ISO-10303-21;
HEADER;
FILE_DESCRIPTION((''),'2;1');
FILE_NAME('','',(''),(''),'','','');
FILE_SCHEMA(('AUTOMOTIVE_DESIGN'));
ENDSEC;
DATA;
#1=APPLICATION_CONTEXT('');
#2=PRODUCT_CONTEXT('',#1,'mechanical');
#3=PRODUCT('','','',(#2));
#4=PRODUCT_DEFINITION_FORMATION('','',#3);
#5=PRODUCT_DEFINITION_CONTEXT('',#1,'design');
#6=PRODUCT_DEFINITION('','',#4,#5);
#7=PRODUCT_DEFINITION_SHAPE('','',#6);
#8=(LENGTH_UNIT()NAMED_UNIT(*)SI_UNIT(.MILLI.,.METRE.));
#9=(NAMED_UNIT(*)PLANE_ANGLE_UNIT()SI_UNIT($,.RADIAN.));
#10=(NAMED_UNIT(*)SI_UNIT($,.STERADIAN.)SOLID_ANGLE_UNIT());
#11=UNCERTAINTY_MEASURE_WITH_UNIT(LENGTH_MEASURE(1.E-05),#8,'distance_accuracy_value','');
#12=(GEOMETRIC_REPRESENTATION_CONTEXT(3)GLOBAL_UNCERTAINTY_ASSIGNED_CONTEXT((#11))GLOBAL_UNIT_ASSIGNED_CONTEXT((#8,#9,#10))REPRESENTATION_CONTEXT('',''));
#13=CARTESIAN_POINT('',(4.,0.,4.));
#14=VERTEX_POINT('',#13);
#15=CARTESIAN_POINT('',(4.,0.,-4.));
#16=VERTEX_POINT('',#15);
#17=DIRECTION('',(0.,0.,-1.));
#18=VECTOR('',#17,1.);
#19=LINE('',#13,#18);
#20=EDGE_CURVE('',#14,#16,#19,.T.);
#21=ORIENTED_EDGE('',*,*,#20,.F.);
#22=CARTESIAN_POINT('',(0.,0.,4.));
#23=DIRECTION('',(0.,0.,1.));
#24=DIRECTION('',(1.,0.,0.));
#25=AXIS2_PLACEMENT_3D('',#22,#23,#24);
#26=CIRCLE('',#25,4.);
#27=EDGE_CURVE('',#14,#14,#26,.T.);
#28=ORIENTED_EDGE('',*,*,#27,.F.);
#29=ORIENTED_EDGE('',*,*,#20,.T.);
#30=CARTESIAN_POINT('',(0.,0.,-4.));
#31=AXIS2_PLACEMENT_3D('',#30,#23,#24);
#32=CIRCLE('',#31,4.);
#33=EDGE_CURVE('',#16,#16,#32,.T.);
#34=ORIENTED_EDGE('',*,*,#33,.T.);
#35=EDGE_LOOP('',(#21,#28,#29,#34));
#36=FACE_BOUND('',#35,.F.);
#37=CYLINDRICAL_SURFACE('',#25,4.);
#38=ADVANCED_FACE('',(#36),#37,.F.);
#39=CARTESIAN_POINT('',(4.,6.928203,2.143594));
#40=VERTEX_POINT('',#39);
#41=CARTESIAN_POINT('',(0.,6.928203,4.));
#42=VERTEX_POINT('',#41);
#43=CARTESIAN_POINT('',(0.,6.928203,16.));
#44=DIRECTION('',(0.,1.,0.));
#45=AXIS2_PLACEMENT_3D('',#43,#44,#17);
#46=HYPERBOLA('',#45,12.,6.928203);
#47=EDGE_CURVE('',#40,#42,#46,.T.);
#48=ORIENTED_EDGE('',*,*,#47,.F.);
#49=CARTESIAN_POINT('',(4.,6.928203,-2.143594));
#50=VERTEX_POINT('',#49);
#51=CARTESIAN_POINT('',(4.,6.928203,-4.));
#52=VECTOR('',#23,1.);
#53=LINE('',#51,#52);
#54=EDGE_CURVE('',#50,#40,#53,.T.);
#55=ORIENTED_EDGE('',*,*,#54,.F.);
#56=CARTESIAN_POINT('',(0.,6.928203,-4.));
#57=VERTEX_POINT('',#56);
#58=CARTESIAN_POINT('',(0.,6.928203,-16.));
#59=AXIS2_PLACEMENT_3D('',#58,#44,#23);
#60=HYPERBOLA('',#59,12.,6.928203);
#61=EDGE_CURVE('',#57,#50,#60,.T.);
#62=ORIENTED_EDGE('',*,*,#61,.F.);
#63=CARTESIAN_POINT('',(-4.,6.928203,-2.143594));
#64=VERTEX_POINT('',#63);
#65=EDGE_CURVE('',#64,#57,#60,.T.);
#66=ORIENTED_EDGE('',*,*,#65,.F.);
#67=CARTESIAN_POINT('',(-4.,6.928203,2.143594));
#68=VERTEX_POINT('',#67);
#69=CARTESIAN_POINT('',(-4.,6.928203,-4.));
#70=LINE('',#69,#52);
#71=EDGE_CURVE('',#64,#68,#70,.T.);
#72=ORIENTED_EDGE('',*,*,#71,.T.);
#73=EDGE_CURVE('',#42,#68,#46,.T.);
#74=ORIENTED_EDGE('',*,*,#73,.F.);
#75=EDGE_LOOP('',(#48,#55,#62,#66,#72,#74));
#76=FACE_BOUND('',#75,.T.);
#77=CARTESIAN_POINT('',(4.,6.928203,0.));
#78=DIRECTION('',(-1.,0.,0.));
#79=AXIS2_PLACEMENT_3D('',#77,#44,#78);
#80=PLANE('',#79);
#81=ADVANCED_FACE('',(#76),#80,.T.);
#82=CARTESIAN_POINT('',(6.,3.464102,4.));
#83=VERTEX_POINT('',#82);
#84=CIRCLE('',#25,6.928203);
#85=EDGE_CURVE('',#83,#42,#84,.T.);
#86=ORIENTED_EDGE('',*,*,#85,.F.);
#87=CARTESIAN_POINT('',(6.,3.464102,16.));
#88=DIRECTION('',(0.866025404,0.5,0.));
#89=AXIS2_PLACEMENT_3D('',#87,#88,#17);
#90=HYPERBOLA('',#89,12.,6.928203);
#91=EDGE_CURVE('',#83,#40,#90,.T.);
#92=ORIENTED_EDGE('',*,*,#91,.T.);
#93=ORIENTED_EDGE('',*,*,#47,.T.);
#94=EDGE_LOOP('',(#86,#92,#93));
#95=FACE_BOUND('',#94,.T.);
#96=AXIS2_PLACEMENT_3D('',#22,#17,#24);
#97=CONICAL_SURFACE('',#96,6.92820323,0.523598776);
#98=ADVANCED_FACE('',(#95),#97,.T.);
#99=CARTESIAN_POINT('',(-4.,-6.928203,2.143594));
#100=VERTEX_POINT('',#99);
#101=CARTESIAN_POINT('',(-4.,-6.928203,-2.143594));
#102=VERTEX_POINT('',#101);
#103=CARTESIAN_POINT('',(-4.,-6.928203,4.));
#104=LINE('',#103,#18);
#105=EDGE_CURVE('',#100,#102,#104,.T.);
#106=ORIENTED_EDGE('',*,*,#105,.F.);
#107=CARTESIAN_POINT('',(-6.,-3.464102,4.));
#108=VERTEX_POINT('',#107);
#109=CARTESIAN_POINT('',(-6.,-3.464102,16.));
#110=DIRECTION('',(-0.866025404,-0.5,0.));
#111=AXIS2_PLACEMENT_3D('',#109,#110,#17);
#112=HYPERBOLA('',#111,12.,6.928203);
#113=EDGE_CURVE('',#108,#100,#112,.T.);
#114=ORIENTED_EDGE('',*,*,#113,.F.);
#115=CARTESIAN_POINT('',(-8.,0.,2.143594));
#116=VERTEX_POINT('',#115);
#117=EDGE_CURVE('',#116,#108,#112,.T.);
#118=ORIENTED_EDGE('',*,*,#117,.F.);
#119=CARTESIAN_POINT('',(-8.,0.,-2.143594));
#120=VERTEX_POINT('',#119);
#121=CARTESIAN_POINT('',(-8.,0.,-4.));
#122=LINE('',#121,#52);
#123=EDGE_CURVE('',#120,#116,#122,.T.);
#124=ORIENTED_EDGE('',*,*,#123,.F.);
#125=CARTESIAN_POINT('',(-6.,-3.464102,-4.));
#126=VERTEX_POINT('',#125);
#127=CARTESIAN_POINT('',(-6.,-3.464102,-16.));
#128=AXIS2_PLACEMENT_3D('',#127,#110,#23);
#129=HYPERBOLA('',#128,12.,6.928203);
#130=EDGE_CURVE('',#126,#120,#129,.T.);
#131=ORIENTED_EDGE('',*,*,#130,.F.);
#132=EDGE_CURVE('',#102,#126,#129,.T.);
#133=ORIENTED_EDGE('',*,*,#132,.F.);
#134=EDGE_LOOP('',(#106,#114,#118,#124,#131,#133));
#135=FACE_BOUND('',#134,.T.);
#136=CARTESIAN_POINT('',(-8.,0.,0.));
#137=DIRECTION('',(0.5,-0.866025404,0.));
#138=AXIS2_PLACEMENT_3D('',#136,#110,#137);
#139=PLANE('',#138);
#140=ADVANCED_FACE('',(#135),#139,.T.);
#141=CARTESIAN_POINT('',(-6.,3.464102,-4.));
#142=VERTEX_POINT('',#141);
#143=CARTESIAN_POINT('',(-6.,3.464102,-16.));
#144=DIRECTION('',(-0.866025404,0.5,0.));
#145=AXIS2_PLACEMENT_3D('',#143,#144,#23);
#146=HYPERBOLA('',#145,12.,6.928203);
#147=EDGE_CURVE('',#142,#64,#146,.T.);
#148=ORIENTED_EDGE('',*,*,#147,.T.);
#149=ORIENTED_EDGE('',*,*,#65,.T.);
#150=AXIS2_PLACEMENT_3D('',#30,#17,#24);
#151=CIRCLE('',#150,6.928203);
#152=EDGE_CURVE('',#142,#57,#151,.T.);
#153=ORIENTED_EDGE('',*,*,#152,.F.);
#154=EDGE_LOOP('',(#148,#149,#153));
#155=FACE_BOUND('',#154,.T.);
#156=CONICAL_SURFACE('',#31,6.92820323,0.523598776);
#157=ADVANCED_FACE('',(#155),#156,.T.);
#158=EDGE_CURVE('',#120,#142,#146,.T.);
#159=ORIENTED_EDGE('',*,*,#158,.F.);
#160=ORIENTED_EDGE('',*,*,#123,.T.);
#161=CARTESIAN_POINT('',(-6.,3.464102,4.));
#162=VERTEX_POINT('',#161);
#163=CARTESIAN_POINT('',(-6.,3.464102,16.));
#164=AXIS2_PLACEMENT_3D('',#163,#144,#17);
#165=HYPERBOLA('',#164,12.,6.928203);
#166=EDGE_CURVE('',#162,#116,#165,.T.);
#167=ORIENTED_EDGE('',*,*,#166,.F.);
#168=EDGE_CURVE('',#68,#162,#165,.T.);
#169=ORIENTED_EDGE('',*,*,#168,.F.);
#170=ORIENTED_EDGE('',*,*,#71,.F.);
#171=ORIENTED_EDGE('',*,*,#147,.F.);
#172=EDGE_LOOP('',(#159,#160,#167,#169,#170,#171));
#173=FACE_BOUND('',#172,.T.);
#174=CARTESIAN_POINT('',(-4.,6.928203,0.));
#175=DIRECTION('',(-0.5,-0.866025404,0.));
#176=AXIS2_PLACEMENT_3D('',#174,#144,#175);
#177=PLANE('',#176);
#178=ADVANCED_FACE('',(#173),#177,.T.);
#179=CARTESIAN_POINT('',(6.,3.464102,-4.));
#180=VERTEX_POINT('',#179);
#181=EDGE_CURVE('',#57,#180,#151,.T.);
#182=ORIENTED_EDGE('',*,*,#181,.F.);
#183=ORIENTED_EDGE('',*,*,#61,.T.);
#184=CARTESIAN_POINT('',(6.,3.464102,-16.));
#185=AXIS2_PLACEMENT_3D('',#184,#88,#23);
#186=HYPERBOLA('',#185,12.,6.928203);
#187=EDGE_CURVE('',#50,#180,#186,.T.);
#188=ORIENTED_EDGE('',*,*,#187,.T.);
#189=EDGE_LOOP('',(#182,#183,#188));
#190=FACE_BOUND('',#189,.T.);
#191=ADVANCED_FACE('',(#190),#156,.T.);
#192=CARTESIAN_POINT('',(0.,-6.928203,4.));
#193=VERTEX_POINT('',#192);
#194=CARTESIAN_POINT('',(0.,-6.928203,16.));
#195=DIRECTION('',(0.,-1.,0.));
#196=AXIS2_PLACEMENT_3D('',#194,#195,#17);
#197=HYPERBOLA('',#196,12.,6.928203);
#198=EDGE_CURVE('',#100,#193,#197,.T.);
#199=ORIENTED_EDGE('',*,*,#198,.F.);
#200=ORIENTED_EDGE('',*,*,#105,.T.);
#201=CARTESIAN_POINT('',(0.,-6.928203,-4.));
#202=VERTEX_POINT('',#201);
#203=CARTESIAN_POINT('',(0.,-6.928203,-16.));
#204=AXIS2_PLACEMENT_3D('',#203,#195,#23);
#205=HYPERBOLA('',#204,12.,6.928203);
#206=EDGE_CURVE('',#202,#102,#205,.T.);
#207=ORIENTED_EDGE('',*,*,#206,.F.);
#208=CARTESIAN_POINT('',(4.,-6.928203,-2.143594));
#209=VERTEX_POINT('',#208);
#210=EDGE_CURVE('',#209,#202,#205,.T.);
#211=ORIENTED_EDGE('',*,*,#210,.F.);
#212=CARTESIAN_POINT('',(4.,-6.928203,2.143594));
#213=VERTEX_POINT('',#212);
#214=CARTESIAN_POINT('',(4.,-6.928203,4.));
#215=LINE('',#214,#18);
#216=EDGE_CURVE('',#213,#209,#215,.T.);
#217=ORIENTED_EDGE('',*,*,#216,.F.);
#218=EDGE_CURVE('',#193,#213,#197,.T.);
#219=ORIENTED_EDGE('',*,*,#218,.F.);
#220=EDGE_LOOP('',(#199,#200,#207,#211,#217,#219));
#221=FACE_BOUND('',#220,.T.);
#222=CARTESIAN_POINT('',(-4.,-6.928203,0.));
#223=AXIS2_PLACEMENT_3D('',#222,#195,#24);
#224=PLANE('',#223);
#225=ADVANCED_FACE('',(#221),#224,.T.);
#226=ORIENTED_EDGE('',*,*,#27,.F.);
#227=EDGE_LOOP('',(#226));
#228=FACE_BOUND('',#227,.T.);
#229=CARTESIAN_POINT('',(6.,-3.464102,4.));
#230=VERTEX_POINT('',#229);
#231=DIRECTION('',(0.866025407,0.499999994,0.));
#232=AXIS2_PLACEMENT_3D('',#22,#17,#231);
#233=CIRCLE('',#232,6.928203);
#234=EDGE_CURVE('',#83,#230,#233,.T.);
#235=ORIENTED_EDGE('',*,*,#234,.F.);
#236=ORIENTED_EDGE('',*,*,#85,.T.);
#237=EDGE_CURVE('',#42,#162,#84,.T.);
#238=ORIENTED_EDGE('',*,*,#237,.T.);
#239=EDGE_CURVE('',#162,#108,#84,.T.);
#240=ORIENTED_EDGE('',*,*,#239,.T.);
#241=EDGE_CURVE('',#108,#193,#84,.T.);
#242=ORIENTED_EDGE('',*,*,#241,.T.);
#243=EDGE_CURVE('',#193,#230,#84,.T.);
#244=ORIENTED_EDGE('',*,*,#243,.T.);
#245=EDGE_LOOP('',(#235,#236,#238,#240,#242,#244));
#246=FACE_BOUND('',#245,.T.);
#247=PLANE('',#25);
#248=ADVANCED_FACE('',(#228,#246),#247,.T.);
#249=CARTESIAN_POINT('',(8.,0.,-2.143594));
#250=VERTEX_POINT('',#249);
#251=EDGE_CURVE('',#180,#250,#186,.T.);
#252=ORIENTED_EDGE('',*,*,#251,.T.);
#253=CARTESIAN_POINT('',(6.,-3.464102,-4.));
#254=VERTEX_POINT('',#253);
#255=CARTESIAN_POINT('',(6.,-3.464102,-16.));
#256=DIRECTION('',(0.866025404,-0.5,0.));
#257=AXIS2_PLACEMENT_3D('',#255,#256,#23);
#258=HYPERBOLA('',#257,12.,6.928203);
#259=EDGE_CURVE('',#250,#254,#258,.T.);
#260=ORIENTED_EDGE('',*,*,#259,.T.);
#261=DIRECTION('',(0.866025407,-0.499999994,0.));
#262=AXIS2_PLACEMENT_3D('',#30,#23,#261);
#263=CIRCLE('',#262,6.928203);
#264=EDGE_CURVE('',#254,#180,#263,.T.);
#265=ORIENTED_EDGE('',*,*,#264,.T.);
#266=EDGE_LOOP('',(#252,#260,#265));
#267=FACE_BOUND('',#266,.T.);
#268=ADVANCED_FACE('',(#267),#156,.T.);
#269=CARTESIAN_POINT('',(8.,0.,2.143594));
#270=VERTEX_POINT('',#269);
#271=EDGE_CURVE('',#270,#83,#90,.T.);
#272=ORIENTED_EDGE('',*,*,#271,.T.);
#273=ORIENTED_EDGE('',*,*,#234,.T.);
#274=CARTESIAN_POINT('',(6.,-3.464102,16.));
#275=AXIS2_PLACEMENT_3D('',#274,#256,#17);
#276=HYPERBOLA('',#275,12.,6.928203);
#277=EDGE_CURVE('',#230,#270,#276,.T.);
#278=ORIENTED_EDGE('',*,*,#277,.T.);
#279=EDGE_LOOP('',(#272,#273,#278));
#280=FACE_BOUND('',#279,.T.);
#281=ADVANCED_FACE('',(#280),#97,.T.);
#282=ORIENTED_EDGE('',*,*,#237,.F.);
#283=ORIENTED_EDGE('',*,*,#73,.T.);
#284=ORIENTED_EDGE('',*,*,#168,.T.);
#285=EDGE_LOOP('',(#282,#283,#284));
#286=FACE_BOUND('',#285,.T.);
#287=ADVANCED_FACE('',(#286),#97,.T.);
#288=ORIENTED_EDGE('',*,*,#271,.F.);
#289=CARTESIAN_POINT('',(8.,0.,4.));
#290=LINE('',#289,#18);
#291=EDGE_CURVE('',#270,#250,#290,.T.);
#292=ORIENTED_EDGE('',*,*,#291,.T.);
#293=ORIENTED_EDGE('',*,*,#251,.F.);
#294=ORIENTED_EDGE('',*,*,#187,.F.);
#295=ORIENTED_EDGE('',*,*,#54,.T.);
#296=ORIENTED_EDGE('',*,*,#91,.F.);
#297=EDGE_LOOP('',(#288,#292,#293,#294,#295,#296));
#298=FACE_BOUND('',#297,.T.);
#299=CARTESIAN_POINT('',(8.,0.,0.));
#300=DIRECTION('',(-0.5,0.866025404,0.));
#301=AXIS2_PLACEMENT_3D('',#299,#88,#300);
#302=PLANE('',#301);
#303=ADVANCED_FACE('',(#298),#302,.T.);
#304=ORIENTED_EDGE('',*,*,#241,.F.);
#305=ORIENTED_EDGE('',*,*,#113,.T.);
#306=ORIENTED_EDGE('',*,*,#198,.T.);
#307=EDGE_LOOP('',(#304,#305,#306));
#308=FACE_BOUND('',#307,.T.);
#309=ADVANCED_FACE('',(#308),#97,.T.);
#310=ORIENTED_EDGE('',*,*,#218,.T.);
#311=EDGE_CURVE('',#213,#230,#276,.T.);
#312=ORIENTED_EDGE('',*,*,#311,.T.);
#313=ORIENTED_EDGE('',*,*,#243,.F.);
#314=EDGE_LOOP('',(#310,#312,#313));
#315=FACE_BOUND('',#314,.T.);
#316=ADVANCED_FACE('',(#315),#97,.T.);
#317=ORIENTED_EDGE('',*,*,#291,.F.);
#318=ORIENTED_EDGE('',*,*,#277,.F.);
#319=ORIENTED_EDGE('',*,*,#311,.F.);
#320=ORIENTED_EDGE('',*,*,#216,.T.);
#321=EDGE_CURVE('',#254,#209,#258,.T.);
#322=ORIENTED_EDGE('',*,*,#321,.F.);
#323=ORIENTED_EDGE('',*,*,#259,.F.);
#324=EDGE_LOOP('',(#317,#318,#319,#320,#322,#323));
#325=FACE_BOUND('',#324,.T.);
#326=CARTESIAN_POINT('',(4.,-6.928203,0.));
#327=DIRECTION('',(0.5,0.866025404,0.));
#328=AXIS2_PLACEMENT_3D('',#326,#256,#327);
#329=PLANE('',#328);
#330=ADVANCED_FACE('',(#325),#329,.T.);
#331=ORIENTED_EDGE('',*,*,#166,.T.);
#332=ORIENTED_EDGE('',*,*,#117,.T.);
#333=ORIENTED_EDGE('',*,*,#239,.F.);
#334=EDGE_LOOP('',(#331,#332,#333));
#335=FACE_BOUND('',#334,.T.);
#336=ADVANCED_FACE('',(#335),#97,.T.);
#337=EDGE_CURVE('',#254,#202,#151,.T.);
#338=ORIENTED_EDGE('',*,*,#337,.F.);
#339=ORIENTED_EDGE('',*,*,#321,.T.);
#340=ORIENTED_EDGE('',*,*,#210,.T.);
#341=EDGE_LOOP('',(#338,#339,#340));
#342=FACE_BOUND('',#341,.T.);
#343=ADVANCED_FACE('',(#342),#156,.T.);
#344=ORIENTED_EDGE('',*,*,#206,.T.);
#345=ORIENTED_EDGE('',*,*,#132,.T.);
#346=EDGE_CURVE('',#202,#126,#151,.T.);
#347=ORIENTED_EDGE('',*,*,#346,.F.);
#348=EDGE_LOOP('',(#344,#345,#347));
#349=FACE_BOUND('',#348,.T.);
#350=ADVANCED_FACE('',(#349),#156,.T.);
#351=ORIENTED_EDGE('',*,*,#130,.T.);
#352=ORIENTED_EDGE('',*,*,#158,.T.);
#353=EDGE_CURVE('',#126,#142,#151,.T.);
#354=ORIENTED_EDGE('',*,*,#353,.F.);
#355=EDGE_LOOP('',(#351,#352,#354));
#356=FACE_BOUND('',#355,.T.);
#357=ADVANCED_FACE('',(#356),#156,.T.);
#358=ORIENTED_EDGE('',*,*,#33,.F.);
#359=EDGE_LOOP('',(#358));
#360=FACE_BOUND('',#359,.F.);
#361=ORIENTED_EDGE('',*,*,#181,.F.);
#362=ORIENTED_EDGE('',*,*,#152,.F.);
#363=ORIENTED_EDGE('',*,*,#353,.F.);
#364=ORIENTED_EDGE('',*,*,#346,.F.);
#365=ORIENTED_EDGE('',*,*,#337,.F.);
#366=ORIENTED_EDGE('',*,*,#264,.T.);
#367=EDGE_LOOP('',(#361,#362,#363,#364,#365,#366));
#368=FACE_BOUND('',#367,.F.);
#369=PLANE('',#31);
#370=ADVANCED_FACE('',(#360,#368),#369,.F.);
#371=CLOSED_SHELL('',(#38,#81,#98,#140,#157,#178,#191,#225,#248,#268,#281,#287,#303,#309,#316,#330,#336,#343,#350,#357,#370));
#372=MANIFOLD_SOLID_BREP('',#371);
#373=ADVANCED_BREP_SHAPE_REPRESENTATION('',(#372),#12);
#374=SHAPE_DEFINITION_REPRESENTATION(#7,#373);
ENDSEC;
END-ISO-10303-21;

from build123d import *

# Parameters (mm, degrees)
BOSS_EXTRUDE1_DEPTH     = 4
SKETCH2_OUTSIDE_W       = 31.764
SKETCH2_OUTSIDE_H       = 29.62
SKETCH2_OUTSIDE_R       = 6.92820323
CUT_EXTRUDE1_DEPTH      = 8
CUT_EXTRUDE1_DRAFT      = -30
MIRROR1_COPY_1_SKETCH_W = 31.764
MIRROR1_COPY_1_SKETCH_H = 29.62
MIRROR1_COPY_1_SKETCH_R = 6.92820323
MIRROR1_COPY_1_DEPTH    = 8
MIRROR1_COPY_1_DRAFT    = -30
SKETCH3_R               = 4
CUT_EXTRUDE2_DEPTH      = 8


with BuildPart() as part:
    # Sketch1 → Boss-Extrude1 (new, symmetric)
    with BuildSketch(Plane.XY):
        Polygon((8, 0), (4, 6.92820323), (-4, 6.92820323), (-8, 0), (-4, -6.92820323), (4, -6.92820323), align=None)
    extrude(amount=BOSS_EXTRUDE1_DEPTH, both=True)


with BuildPart() as cut_extrude1_tool:
    # Sketch2 outside → Cut-Extrude1 (with draft: the straight prism first)
    with BuildSketch(Plane.XY.offset(4)):
        Rectangle(SKETCH2_OUTSIDE_W, SKETCH2_OUTSIDE_H)
        Circle(SKETCH2_OUTSIDE_R, mode=Mode.SUBTRACT)
    extrude(amount=-CUT_EXTRUDE1_DEPTH)
    # Cut-Extrude1: the draft: its side faces are tilted about the plane it starts from
    cut_extrude1_sides = [cut_extrude1_tool.faces().sort_by_distance(p)[0] for p in [
        (0, -14.81, 0),
        (15.882, 0, 0),
        (0, 14.81, 0),
        (-15.882, 0, 0),
        (-6.92820323, 0, 0),
    ]]
    draft(cut_extrude1_sides, Plane.XY.offset(4), CUT_EXTRUDE1_DRAFT)


with BuildPart() as part_1:
    add(part.part)

    # Cut-Extrude1: cut by cut_extrude1_tool
    add(cut_extrude1_tool.part, mode=Mode.SUBTRACT)


with BuildPart() as mirror1_copy_1_tool:
    # Mirror1 copy 1 sketch → Mirror1 copy 1 (with draft: the straight prism first)
    with BuildSketch(Plane(origin=(0, 0, -4), x_dir=(1, 0, 0), z_dir=(0, 0, -1))):
        Rectangle(MIRROR1_COPY_1_SKETCH_W, MIRROR1_COPY_1_SKETCH_H)
        Circle(MIRROR1_COPY_1_SKETCH_R, mode=Mode.SUBTRACT)
    extrude(amount=-MIRROR1_COPY_1_DEPTH)
    # Mirror1 copy 1: the draft: its side faces are tilted about the plane it starts from
    mirror1_copy_1_sides = [mirror1_copy_1_tool.faces().sort_by_distance(p)[0] for p in [
        (0, -14.81, 0),
        (15.882, 0, 0),
        (0, 14.81, 0),
        (-15.882, 0, 0),
        (-6.92820323, 0, 0),
    ]]
    draft(mirror1_copy_1_sides, Plane(origin=(0, 0, -4), x_dir=(1, 0, 0), z_dir=(0, 0, -1)), MIRROR1_COPY_1_DRAFT)


with BuildPart() as part_2:
    add(part_1.part)

    # Mirror1 copy 1: cut by mirror1_copy_1_tool
    add(mirror1_copy_1_tool.part, mode=Mode.SUBTRACT)

    # Sketch3 → Cut-Extrude2 (cut)
    with BuildSketch(Plane.XY.offset(4)):
        Circle(SKETCH3_R)
    extrude(amount=-CUT_EXTRUDE2_DEPTH, mode=Mode.SUBTRACT)


solid = part_2.part
